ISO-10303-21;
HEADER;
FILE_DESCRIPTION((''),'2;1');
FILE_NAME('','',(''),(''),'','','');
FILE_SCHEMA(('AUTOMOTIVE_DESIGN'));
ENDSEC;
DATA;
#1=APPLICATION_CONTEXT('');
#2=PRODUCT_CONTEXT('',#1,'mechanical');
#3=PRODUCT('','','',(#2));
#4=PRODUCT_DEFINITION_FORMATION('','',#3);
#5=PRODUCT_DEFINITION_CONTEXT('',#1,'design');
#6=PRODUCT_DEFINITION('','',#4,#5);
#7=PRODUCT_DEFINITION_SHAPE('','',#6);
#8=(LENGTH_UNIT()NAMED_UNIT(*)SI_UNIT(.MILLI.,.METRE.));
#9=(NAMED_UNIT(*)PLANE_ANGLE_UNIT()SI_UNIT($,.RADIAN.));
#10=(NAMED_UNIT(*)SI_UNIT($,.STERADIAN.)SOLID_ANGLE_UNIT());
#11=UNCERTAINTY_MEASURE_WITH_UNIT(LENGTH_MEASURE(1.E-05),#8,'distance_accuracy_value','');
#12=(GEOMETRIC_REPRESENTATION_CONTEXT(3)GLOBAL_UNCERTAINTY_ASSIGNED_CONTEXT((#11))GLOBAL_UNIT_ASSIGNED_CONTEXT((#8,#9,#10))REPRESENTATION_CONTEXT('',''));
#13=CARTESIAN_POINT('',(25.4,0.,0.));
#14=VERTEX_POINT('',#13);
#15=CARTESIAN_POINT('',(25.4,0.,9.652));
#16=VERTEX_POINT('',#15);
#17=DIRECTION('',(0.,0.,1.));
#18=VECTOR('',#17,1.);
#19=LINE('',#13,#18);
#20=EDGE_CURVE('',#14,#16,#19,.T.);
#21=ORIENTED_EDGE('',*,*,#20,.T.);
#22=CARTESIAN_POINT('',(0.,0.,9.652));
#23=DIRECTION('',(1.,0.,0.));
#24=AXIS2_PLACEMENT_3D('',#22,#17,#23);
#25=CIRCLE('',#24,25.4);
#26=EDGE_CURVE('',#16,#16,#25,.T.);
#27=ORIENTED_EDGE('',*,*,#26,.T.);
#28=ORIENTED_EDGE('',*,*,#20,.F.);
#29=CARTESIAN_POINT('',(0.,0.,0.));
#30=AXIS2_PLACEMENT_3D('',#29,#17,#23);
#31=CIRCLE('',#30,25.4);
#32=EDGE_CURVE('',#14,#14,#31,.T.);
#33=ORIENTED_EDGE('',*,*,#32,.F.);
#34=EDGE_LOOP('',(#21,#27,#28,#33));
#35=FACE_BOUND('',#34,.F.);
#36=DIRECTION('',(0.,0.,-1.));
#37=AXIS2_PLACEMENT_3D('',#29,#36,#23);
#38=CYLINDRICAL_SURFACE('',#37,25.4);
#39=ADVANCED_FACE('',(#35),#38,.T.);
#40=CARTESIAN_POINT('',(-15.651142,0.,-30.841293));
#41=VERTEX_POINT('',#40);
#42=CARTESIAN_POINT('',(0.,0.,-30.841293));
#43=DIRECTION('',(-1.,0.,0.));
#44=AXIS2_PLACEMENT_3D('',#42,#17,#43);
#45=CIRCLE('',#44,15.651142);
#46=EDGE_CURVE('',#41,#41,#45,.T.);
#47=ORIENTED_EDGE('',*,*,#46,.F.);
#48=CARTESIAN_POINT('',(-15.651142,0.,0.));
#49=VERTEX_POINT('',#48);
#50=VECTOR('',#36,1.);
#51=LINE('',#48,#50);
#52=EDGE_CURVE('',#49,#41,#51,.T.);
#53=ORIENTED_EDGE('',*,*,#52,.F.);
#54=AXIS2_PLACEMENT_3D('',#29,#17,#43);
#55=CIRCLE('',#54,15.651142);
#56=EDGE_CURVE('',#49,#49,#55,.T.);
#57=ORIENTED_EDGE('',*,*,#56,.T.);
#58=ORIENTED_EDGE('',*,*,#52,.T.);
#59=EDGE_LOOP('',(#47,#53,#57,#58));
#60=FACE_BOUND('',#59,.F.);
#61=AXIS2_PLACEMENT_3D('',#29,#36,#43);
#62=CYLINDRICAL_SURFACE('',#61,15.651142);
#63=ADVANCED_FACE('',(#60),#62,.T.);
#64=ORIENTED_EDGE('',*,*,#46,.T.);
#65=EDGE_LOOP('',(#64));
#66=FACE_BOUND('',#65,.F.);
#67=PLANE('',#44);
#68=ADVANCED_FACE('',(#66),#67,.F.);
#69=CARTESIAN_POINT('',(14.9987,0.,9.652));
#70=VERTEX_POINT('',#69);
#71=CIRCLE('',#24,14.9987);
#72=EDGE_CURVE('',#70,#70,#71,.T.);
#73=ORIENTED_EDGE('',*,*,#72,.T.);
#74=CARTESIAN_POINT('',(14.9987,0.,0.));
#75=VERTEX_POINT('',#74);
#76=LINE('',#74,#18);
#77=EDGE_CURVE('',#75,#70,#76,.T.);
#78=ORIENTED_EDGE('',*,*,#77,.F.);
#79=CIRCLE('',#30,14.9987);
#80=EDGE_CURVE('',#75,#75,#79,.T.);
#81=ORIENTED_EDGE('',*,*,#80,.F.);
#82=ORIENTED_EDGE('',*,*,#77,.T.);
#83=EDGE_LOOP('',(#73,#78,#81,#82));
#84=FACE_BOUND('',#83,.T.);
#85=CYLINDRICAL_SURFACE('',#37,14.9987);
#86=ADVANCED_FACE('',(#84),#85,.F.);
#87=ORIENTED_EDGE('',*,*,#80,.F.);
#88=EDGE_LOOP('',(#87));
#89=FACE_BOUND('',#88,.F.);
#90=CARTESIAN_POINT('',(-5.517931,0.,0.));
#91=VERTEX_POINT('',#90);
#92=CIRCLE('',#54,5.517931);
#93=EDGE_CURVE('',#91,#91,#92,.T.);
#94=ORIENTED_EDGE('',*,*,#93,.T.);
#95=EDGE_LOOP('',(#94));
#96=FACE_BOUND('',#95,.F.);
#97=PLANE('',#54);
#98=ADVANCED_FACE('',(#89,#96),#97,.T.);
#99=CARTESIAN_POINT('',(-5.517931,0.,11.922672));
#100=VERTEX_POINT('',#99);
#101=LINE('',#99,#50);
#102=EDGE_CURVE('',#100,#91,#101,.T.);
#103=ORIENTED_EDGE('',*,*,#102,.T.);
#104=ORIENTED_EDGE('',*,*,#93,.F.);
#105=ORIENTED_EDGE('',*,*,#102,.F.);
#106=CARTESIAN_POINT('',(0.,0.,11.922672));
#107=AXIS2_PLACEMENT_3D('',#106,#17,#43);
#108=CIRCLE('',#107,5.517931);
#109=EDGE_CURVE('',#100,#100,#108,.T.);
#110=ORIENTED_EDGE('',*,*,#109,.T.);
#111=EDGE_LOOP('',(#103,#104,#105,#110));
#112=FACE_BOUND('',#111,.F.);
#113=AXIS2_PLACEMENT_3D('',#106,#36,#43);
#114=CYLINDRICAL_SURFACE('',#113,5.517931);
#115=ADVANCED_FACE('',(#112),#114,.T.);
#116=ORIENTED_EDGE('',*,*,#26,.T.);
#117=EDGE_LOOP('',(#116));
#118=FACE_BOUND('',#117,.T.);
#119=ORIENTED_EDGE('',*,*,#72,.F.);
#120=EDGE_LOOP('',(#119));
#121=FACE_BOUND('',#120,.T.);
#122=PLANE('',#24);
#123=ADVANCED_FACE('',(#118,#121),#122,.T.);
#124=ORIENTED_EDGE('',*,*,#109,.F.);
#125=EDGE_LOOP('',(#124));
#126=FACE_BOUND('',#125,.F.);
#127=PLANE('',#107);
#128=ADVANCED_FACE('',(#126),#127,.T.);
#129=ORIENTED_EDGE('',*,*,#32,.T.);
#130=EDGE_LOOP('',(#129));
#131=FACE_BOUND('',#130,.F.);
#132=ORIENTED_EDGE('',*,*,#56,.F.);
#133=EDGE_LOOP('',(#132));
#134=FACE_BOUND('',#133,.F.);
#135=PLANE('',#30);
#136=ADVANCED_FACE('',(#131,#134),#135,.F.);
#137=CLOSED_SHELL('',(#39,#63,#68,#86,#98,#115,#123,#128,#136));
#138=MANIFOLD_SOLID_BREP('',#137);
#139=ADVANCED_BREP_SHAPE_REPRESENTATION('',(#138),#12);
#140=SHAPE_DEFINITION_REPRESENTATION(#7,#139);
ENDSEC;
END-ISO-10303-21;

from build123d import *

# Parameters (mm, degrees)
F0_R     = 25.4
F0_R_2   = 14.9987
F1_DEPTH = 9.652


with BuildPart() as f1:
    # F0 (on Top) → F1 (new body)
    with BuildSketch(Plane.XY):
        Circle(F0_R)
        Circle(F0_R_2, mode=Mode.SUBTRACT)
    extrude(amount=F1_DEPTH)

    # F2 (on Front) → F3 (revolve)
    with BuildSketch(Plane.XZ):
        Polygon((0, -30.841293), (0, 11.922672), (-5.517931, 11.922672), (-5.517931, 0), (-15.651142, 0), (-15.651142, -30.841293), align=None)
    revolve(axis=Axis((0, 0, -9.45931), (0, 0, 1)))


solid = f1.part
